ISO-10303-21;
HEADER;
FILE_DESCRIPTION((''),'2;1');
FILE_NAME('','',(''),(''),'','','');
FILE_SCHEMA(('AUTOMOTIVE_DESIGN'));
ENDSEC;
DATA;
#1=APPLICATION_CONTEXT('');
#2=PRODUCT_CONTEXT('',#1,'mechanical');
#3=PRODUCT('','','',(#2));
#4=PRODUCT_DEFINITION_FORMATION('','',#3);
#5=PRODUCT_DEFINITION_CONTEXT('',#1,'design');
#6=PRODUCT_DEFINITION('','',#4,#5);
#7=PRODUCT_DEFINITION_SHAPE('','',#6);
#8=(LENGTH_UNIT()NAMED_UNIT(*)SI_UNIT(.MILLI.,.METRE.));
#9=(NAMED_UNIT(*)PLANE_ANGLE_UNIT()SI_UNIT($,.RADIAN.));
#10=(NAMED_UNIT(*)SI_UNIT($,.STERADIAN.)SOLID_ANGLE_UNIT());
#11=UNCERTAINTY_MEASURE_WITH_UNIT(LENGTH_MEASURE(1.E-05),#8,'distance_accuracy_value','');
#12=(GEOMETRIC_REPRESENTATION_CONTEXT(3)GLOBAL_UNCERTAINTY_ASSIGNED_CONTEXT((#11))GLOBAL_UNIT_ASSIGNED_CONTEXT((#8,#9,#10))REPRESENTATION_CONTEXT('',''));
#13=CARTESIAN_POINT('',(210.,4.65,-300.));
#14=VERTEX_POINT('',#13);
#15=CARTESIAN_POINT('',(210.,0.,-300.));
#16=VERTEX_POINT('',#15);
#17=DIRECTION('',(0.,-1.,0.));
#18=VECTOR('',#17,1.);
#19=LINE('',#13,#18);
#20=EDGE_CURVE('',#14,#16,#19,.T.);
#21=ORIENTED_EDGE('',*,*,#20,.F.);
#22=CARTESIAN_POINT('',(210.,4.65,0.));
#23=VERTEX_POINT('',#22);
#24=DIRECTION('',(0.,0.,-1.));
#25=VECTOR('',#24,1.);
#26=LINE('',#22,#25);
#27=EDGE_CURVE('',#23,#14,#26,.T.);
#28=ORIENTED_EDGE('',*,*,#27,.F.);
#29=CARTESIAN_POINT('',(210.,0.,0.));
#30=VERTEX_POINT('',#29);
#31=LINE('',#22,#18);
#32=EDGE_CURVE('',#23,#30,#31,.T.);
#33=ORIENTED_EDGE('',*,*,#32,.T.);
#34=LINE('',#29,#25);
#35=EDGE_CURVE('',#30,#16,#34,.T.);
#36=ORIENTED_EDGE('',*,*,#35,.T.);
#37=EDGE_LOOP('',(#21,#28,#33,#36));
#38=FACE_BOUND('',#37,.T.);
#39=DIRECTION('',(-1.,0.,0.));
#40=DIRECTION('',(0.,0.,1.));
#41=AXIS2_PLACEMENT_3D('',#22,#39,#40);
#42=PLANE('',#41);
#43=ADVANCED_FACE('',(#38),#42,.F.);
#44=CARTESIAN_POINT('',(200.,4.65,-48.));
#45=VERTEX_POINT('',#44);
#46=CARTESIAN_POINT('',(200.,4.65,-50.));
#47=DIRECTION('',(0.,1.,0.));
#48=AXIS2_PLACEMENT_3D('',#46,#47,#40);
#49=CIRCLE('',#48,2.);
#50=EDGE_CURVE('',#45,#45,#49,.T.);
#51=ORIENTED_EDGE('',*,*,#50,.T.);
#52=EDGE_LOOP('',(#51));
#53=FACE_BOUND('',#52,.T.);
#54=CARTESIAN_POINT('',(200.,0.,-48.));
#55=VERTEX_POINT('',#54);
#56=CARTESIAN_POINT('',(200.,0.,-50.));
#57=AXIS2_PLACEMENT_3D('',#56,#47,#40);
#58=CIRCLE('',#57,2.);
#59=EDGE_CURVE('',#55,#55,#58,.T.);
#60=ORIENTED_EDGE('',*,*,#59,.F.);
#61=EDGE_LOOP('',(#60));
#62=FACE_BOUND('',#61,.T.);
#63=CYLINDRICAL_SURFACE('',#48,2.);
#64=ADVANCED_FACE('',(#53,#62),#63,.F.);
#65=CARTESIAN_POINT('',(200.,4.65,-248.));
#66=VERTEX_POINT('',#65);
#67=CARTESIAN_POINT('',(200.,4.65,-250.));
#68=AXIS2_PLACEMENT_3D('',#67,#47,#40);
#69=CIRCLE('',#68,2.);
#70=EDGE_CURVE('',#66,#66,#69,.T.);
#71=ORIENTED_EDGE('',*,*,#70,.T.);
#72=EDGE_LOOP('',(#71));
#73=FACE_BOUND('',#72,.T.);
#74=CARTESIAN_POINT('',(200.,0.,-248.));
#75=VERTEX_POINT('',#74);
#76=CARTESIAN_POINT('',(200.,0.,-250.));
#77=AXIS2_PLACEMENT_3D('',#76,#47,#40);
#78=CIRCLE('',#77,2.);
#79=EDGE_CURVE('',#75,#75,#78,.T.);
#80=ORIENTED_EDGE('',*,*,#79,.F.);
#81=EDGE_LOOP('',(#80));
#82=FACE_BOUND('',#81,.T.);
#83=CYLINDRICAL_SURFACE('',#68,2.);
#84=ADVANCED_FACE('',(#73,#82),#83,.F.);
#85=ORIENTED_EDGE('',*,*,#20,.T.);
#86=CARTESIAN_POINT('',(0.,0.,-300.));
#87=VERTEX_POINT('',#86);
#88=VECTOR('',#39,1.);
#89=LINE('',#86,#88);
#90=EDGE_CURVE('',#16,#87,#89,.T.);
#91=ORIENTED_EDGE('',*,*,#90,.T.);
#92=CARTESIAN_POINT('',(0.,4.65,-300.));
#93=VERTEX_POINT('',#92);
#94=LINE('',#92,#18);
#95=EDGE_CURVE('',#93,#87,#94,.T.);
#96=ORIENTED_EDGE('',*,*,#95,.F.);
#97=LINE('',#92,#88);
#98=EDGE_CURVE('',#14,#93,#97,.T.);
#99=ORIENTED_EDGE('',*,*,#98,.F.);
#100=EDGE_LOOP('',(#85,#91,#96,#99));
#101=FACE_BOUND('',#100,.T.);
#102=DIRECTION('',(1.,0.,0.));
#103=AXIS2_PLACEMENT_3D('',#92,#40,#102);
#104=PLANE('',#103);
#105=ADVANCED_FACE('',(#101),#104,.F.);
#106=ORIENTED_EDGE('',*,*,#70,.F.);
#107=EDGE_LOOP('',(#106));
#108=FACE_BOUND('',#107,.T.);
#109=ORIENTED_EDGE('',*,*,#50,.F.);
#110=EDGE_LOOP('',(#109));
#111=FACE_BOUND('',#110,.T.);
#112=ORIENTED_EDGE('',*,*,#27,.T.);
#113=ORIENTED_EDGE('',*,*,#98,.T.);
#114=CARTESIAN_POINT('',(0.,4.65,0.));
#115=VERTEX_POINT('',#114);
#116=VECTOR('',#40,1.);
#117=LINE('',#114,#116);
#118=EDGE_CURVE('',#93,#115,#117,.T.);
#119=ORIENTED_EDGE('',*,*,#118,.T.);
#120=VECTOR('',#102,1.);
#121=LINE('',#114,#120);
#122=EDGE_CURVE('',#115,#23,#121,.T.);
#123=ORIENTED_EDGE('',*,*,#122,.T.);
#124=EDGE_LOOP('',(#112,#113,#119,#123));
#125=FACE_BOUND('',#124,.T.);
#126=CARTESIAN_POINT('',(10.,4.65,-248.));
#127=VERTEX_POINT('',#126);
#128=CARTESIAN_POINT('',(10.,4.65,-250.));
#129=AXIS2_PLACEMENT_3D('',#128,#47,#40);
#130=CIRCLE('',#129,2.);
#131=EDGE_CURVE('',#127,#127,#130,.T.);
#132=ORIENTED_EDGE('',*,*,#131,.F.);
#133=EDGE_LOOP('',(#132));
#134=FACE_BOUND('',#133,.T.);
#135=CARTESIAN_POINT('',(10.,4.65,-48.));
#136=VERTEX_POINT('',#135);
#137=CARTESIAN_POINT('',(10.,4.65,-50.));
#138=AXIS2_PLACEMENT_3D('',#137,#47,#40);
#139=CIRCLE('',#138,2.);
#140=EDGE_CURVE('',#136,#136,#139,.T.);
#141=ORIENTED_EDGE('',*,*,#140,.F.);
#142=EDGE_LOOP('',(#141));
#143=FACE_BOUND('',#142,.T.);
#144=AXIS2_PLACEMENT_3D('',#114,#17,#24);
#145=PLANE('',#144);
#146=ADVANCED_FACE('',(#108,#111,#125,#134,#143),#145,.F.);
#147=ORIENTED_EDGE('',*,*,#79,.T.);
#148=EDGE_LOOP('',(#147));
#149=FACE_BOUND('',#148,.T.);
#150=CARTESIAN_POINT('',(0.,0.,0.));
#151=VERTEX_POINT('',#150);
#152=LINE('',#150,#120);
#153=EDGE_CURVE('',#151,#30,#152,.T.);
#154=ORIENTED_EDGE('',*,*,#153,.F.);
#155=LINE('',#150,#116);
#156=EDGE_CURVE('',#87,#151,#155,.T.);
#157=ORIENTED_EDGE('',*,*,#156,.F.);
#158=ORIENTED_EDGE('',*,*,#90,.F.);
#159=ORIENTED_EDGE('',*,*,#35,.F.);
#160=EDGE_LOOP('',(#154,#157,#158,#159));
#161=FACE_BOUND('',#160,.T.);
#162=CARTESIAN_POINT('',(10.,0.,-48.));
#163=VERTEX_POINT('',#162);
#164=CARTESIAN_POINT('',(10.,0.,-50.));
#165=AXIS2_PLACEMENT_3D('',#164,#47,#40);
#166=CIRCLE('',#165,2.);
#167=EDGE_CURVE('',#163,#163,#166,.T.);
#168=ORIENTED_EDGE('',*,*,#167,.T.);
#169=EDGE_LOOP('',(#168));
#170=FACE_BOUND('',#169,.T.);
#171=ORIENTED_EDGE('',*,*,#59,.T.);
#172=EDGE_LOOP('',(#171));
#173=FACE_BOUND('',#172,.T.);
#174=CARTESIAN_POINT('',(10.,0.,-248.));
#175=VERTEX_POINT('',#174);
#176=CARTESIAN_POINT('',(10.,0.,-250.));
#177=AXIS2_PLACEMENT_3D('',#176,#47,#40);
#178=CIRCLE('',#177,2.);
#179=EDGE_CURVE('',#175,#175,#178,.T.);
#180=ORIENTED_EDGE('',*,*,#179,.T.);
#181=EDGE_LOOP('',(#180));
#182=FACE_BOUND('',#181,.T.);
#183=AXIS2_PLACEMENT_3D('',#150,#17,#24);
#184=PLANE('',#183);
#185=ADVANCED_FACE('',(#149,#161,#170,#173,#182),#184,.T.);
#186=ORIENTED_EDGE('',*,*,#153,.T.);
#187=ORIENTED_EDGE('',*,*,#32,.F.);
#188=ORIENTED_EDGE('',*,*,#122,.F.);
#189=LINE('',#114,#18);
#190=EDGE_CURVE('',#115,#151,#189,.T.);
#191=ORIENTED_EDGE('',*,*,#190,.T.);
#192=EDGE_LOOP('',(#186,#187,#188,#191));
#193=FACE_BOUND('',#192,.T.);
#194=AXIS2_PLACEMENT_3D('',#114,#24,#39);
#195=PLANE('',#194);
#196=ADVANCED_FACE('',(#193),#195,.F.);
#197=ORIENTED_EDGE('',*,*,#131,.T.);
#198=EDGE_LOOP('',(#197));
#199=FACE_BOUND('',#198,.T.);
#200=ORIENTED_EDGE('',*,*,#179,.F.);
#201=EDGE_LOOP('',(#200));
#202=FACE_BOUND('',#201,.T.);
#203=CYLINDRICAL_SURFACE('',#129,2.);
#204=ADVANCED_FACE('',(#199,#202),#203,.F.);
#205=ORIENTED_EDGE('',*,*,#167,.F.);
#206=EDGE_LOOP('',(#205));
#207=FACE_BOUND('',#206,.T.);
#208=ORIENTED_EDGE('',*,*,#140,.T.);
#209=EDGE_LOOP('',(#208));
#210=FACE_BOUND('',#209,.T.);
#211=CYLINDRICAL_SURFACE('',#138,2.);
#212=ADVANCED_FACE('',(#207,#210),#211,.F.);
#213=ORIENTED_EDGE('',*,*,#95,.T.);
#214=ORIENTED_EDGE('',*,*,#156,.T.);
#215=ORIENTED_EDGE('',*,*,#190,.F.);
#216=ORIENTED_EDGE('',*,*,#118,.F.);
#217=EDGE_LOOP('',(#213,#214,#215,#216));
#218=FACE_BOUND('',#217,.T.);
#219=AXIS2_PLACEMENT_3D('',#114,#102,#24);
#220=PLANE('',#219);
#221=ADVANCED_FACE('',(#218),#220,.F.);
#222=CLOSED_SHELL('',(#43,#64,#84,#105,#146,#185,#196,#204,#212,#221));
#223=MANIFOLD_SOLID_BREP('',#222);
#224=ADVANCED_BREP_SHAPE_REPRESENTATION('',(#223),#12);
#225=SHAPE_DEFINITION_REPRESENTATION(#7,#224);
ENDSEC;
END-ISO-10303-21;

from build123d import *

# Parameters (mm, degrees)
SKETCH_1_W      = 210
SKETCH_1_H      = 300
EXTRUDE_1_DEPTH = 4.65
MM_1_D          = 4


with BuildPart() as part:
    # 草图1 → 凸台-拉伸1 (new body)
    with BuildSketch(Plane(origin=(0, 0, 0), x_dir=(1, 0, 0), z_dir=(0, 1, 0))):
        with Locations((105, 150)):
            Rectangle(SKETCH_1_W, SKETCH_1_H)
    extrude(amount=EXTRUDE_1_DEPTH)

    # 大小mm 暗销孔1 (through all)
    with Locations(Plane(origin=(0, 4.65, 0), x_dir=(1, 0, 0), z_dir=(0, 1, 0))):
        with Locations((10, 250), (10, 50), (200, 250), (200, 50)):
            Hole(MM_1_D / 2)


solid = part.part
